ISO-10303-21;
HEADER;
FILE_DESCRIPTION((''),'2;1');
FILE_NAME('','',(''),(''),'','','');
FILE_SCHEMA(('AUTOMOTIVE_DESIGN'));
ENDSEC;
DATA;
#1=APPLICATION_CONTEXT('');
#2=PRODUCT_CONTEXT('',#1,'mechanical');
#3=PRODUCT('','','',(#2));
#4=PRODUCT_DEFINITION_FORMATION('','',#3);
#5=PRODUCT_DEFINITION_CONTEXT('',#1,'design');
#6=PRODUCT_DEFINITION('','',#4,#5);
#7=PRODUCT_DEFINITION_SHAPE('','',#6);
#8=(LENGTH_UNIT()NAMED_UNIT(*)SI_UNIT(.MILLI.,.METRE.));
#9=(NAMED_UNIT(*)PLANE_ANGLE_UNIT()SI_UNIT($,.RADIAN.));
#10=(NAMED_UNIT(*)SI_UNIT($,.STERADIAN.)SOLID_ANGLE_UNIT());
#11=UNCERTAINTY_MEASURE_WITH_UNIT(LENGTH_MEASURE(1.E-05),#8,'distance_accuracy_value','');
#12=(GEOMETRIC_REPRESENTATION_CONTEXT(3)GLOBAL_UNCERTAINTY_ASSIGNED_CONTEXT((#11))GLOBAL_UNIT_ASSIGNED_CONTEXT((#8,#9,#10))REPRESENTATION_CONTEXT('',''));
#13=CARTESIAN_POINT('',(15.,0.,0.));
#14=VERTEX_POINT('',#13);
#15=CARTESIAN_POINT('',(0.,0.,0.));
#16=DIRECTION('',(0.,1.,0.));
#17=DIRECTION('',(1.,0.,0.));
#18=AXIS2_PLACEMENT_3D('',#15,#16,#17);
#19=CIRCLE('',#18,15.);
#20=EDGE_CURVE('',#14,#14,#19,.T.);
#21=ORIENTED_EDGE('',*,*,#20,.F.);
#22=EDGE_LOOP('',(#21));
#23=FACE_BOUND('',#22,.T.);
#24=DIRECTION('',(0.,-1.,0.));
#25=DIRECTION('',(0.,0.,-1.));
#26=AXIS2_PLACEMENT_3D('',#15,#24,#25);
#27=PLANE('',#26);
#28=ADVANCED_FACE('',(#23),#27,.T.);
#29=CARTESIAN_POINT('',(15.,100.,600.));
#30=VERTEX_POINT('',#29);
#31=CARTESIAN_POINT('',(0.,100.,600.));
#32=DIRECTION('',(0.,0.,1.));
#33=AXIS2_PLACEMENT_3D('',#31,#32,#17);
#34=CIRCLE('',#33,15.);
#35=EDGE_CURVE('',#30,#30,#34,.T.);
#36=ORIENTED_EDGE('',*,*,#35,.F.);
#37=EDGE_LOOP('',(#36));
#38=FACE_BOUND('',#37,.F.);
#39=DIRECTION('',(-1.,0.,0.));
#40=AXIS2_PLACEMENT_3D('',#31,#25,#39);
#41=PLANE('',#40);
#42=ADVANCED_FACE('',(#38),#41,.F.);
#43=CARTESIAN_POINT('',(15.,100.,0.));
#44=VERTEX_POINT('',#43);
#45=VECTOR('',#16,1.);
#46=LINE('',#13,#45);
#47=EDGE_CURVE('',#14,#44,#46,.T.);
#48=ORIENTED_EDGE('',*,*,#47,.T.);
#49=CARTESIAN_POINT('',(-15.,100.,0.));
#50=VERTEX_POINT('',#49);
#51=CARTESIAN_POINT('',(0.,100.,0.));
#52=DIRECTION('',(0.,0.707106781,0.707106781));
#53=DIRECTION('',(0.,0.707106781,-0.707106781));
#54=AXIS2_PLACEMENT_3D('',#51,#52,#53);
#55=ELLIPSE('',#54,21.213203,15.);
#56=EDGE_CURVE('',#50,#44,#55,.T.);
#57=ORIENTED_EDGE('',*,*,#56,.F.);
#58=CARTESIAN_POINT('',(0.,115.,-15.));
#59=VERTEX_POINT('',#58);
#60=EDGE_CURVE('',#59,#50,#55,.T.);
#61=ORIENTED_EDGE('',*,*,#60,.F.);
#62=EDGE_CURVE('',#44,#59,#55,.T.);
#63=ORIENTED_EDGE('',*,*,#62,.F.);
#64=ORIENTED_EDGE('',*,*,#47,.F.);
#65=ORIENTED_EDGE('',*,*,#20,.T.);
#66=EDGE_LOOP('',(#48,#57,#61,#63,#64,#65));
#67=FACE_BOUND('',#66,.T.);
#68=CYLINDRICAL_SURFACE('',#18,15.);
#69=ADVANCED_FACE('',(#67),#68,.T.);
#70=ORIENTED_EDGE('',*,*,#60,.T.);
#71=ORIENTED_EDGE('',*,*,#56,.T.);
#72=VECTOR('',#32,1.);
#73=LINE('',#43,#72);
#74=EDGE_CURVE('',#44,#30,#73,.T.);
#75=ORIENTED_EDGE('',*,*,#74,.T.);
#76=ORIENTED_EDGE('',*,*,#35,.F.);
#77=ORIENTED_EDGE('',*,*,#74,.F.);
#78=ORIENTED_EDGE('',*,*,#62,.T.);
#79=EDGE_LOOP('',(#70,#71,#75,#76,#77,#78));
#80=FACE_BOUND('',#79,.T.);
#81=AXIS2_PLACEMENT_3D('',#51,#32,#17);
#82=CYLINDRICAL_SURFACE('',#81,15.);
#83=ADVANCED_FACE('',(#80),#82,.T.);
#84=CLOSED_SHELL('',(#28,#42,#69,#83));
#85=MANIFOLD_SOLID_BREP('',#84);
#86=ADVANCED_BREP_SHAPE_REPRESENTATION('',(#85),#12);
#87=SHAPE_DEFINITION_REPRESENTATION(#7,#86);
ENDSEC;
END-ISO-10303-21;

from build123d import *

# Parameters (mm, degrees)
F0_R = 15


with BuildPart() as f2:
    # F2: sweep along a path in F1
    with BuildLine(Plane.YZ) as f2_path:
        Line((0, 0), (100, 0))
        Line((100, 0), (100, 600))
    # F0 (on Front) → F2 (sweep)
    with BuildSketch(Plane.XZ):
        Circle(F0_R)
    sweep(path=f2_path.line, transition=Transition.RIGHT)


solid = f2.part
